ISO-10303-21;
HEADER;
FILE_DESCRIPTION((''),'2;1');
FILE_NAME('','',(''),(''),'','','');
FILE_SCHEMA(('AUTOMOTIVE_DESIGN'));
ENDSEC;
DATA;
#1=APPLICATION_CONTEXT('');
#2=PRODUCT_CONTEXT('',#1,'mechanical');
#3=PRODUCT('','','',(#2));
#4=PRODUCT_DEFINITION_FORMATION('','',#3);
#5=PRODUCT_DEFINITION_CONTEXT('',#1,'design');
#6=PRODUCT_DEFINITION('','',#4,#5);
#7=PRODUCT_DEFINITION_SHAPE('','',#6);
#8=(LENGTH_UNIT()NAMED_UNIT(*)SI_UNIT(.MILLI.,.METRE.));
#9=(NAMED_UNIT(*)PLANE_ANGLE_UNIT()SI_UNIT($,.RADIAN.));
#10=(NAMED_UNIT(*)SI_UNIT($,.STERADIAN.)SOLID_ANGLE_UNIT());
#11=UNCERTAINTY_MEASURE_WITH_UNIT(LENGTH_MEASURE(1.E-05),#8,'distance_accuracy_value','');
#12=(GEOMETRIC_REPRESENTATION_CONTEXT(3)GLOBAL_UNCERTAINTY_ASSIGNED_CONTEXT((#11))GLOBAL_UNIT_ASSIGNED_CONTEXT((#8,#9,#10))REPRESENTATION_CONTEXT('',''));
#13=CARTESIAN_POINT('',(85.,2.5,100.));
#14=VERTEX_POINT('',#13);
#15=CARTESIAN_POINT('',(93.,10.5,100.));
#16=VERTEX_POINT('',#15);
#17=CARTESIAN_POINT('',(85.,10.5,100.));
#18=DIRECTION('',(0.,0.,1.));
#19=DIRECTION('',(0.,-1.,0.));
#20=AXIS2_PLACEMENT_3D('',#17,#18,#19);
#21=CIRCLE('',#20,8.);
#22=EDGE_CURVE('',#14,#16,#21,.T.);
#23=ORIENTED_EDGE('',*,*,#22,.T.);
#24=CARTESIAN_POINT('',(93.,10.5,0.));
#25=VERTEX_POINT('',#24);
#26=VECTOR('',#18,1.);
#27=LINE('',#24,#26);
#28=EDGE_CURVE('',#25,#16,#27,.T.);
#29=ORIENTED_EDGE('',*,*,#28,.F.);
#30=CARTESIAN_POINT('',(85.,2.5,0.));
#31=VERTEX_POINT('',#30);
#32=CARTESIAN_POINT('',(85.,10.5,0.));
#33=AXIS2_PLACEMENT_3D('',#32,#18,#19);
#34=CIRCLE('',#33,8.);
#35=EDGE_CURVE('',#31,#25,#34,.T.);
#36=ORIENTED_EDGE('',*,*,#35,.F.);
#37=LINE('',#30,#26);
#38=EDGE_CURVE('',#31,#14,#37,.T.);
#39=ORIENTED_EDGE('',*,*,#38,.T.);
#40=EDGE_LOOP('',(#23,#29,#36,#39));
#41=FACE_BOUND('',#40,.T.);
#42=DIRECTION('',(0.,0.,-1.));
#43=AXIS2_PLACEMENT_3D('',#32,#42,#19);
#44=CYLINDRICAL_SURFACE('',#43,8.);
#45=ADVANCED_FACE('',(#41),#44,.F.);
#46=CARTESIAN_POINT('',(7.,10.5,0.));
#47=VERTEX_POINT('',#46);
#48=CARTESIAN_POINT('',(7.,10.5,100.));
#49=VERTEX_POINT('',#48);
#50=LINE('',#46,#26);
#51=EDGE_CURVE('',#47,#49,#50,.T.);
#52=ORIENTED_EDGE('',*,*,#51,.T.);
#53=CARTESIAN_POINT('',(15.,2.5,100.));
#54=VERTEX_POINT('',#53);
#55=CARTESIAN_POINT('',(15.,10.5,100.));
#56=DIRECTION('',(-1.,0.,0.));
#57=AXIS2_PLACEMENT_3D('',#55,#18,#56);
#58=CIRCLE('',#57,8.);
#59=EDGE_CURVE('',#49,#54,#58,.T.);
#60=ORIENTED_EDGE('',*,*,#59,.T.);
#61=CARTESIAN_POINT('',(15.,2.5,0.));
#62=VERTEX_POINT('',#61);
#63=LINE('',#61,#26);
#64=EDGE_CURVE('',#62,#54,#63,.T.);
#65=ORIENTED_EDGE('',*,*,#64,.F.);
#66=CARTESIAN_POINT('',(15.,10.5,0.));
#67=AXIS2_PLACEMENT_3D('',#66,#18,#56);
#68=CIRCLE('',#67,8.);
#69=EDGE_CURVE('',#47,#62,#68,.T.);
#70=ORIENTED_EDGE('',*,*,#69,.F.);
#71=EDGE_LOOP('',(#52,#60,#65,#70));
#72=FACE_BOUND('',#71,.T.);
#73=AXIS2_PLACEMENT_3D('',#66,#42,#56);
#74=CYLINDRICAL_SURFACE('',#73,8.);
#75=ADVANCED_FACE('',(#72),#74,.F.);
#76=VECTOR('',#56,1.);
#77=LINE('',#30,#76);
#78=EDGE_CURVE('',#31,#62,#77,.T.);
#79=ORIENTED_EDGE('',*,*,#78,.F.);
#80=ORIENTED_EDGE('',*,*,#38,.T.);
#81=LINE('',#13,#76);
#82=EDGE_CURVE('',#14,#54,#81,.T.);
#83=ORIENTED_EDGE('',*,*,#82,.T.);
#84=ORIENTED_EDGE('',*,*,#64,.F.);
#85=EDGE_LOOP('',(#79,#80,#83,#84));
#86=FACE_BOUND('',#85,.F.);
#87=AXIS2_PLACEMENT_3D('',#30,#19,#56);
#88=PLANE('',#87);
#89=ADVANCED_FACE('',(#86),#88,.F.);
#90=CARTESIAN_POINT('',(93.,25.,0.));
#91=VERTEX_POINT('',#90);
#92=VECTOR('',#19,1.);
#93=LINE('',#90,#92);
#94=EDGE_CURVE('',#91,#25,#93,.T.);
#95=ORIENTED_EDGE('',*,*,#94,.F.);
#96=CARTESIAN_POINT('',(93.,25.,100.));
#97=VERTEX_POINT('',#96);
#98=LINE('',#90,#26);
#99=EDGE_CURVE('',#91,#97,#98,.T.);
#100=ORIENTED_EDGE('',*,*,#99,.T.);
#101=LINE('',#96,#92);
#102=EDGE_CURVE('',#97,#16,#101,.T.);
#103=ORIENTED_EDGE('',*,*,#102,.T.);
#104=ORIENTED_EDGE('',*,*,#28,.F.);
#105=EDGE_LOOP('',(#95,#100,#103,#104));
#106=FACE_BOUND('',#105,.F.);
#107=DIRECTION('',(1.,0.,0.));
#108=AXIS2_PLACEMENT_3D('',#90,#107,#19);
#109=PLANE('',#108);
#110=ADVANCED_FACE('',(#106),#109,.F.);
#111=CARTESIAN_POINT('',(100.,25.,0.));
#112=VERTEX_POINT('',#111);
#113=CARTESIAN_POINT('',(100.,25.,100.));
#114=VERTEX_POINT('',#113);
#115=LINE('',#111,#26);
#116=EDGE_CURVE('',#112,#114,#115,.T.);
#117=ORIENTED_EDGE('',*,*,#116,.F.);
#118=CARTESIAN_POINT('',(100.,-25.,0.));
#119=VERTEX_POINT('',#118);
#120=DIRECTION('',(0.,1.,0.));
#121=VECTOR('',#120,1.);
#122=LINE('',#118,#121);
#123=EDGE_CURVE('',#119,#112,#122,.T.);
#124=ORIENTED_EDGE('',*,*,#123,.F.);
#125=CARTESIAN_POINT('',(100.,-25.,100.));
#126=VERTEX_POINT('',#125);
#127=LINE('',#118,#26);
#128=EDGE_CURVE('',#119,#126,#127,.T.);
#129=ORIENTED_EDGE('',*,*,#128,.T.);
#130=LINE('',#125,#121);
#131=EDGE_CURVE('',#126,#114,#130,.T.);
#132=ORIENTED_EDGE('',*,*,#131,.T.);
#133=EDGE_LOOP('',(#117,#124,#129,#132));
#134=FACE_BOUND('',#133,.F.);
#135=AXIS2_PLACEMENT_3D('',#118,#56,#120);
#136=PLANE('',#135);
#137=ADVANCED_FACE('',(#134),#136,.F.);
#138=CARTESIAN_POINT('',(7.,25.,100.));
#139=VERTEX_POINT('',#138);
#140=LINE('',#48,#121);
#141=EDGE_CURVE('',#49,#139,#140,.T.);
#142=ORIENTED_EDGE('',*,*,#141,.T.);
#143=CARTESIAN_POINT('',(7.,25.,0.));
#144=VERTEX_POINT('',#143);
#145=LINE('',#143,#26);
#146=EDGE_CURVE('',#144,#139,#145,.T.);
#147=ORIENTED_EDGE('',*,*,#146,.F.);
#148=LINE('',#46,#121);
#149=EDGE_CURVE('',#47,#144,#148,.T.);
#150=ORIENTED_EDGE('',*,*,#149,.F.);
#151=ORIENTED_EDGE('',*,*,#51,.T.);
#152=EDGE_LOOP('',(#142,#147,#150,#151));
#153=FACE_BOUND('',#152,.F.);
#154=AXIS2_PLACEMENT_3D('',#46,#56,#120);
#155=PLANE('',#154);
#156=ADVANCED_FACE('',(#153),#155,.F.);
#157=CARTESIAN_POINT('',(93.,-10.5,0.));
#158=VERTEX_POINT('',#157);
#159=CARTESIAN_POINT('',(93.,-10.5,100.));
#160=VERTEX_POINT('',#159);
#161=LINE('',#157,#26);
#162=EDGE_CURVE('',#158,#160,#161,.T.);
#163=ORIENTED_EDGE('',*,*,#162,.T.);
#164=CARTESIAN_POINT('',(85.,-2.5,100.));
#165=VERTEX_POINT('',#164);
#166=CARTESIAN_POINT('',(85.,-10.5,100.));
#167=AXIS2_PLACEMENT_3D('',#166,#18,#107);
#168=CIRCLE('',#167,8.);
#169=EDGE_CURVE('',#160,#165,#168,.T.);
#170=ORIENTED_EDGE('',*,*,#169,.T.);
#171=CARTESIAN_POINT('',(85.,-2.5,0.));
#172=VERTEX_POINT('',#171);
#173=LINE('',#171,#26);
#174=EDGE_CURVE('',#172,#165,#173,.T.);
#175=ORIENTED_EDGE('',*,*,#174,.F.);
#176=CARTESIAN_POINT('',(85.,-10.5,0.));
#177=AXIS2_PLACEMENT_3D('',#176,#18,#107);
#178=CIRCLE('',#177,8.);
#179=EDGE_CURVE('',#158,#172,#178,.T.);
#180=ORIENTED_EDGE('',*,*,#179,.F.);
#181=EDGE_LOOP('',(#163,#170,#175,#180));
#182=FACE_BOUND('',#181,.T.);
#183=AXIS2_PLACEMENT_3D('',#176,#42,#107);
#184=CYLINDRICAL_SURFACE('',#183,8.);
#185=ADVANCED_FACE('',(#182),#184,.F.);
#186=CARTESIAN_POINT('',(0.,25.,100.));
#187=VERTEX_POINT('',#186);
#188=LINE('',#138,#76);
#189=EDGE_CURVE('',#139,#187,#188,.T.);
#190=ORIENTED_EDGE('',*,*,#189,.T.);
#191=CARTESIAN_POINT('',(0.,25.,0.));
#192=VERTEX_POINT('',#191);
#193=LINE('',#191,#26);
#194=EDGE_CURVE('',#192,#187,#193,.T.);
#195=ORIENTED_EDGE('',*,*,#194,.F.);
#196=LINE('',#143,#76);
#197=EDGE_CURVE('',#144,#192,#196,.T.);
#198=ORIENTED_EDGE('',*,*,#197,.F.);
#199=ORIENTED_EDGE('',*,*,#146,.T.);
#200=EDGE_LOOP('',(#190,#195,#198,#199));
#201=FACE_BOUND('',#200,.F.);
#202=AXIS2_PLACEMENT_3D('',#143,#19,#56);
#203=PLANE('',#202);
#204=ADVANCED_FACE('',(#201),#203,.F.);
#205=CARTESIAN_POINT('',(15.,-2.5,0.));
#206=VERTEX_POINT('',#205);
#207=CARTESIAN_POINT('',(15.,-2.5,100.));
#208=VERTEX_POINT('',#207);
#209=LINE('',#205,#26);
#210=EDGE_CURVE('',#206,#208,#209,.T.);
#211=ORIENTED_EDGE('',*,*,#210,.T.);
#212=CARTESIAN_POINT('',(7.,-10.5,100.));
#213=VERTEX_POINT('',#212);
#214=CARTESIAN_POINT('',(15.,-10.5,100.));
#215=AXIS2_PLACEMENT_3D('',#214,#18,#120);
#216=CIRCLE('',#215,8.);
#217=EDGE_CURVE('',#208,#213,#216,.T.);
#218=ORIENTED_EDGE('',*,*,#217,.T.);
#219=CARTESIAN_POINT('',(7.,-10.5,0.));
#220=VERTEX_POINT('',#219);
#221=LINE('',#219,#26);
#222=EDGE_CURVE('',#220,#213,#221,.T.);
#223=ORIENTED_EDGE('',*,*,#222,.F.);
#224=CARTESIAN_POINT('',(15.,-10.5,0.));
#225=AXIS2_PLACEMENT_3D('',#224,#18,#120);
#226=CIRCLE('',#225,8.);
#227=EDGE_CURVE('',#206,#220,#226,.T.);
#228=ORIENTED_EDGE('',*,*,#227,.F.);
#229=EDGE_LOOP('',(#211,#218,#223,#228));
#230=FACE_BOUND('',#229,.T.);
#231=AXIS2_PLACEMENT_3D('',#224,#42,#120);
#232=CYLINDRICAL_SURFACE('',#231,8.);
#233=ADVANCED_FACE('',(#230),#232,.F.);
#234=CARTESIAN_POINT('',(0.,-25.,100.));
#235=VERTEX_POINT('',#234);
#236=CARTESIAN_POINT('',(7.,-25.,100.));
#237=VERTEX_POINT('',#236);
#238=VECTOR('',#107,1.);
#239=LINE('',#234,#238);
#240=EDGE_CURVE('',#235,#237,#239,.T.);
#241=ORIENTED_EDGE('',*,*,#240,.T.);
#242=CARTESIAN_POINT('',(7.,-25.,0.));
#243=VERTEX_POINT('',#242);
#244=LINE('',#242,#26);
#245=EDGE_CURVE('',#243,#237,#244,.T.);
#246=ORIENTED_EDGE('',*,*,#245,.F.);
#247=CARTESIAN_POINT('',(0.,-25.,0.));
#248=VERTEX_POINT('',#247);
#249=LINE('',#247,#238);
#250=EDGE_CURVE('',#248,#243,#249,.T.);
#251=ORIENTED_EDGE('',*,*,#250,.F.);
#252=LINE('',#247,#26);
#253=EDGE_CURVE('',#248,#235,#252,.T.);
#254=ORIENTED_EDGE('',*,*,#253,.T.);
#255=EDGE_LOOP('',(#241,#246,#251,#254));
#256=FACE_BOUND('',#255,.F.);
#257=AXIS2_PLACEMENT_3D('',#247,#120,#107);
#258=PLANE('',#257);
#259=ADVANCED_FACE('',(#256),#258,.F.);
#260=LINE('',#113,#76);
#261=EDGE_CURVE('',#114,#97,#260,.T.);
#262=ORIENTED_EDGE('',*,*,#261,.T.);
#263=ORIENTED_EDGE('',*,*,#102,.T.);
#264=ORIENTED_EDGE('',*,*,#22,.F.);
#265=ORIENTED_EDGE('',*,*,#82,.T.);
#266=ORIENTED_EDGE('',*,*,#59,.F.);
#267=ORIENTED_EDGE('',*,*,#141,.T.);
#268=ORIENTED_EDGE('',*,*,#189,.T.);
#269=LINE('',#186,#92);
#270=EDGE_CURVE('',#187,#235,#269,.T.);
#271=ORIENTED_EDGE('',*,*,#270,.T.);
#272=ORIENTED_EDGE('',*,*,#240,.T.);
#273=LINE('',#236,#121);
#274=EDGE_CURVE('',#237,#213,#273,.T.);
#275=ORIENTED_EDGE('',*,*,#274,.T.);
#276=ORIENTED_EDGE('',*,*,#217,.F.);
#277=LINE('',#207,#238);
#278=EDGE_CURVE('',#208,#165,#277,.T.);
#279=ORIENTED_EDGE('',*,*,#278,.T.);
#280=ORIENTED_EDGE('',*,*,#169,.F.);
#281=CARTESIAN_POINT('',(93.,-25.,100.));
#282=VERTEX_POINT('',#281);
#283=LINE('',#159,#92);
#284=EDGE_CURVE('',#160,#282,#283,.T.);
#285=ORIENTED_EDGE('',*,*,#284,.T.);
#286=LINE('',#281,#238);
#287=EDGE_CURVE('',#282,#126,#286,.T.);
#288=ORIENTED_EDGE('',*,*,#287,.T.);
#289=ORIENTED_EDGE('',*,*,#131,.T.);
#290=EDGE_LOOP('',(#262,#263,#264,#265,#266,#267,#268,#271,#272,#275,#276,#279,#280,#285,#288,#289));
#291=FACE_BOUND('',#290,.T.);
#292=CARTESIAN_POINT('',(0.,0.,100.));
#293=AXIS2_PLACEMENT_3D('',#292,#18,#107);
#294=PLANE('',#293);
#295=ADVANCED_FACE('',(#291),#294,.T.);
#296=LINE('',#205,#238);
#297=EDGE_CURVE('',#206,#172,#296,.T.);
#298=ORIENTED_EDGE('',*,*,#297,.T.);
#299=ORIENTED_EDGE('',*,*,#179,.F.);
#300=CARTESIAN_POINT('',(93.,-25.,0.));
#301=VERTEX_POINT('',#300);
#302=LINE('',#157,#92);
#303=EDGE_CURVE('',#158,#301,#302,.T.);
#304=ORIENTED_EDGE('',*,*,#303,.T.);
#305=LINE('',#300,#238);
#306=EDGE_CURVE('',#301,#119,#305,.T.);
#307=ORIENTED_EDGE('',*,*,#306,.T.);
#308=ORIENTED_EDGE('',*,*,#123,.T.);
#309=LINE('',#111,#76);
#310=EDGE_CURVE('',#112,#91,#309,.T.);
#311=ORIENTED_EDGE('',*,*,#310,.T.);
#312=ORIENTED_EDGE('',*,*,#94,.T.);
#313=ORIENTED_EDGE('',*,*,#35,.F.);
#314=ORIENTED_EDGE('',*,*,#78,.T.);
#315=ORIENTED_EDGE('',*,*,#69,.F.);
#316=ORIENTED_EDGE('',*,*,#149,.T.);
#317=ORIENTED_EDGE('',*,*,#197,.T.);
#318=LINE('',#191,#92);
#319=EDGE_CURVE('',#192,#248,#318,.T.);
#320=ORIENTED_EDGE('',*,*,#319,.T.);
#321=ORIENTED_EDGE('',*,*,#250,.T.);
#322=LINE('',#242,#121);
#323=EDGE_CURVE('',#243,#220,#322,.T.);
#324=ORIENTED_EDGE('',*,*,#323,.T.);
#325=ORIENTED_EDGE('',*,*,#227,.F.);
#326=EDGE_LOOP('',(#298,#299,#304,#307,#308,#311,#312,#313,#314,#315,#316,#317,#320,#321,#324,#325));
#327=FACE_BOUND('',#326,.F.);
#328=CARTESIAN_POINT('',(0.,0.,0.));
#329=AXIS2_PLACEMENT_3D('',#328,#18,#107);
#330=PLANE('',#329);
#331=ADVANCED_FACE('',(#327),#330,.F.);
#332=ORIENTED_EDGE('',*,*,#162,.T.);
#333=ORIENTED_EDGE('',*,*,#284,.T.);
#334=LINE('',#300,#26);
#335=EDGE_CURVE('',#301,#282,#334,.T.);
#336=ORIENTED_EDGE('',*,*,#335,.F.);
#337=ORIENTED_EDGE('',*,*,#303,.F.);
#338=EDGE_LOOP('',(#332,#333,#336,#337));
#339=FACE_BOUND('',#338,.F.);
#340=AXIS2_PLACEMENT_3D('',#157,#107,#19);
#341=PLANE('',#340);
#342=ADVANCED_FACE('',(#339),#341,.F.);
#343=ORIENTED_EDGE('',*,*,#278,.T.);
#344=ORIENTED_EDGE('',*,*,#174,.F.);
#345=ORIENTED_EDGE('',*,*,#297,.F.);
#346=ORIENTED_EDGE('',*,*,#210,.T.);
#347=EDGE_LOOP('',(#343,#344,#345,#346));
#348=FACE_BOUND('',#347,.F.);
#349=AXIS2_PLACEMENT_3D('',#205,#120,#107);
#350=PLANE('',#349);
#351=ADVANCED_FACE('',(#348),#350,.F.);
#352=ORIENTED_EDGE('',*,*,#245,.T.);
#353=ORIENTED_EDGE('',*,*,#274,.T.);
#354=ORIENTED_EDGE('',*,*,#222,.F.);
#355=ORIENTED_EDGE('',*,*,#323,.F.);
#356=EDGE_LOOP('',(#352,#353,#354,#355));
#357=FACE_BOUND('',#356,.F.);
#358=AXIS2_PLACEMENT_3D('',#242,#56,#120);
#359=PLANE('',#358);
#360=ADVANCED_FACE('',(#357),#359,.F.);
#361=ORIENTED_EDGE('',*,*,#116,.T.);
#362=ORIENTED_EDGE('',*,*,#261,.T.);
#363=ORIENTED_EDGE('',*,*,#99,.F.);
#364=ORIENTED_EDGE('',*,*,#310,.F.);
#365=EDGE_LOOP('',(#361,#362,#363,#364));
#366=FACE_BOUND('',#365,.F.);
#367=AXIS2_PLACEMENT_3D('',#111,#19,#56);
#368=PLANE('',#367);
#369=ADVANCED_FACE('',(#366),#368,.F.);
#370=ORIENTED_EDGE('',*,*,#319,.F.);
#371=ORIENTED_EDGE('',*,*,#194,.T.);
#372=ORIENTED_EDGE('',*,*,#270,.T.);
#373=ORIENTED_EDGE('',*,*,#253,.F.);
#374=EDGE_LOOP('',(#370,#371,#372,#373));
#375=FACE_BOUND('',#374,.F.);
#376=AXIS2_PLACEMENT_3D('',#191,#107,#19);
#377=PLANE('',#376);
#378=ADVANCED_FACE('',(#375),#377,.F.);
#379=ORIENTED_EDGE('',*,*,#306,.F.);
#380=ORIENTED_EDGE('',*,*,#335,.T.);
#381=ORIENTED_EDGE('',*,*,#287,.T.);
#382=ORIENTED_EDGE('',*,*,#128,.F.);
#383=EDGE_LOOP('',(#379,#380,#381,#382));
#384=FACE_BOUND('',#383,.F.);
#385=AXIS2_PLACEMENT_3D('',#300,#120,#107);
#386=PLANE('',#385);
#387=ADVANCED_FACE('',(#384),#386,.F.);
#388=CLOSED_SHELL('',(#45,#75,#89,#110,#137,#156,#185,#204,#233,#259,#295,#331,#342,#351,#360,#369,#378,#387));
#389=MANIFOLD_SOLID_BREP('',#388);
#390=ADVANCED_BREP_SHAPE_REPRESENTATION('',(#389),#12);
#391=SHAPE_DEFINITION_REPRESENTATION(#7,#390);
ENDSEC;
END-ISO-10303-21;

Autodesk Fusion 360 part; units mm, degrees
sketch "スケッチ1" plane through (0, 0, 0) normal (0, 0, 1) x (1, 0, 0)
  line L0 (0, 25) -> (0, -25)
  line L1 (100, -25) -> (100, 25)
  line L2 (93, -10.5) -> (93, -25)
  line L3 (7, -25) -> (7, -10.5)
  line L4 (0, -25) -> (7, -25)
  line L5 (93, -25) -> (100, -25)
  line L6 (85, 2.5) -> (15, 2.5)
  line L7 (15, -2.5) -> (85, -2.5)
  line L8 (7, 10.5) -> (7, 25)
  arc A0 (7, 10.5) -> (15, 2.5) centre (15, 10.5) ccw
  arc A1 (15, -2.5) -> (7, -10.5) centre (15, -10.5) ccw
  line L9 (7, 25) -> (0, 25)
  line L10 (93, 25) -> (93, 10.5)
  arc A2 (85, 2.5) -> (93, 10.5) centre (85, 10.5) ccw
  arc A3 (93, -10.5) -> (85, -2.5) centre (85, -10.5) ccw
  line L11 (100, 25) -> (93, 25)
extrude "押し出し1" add sketch "スケッチ1" along normal blind 100
